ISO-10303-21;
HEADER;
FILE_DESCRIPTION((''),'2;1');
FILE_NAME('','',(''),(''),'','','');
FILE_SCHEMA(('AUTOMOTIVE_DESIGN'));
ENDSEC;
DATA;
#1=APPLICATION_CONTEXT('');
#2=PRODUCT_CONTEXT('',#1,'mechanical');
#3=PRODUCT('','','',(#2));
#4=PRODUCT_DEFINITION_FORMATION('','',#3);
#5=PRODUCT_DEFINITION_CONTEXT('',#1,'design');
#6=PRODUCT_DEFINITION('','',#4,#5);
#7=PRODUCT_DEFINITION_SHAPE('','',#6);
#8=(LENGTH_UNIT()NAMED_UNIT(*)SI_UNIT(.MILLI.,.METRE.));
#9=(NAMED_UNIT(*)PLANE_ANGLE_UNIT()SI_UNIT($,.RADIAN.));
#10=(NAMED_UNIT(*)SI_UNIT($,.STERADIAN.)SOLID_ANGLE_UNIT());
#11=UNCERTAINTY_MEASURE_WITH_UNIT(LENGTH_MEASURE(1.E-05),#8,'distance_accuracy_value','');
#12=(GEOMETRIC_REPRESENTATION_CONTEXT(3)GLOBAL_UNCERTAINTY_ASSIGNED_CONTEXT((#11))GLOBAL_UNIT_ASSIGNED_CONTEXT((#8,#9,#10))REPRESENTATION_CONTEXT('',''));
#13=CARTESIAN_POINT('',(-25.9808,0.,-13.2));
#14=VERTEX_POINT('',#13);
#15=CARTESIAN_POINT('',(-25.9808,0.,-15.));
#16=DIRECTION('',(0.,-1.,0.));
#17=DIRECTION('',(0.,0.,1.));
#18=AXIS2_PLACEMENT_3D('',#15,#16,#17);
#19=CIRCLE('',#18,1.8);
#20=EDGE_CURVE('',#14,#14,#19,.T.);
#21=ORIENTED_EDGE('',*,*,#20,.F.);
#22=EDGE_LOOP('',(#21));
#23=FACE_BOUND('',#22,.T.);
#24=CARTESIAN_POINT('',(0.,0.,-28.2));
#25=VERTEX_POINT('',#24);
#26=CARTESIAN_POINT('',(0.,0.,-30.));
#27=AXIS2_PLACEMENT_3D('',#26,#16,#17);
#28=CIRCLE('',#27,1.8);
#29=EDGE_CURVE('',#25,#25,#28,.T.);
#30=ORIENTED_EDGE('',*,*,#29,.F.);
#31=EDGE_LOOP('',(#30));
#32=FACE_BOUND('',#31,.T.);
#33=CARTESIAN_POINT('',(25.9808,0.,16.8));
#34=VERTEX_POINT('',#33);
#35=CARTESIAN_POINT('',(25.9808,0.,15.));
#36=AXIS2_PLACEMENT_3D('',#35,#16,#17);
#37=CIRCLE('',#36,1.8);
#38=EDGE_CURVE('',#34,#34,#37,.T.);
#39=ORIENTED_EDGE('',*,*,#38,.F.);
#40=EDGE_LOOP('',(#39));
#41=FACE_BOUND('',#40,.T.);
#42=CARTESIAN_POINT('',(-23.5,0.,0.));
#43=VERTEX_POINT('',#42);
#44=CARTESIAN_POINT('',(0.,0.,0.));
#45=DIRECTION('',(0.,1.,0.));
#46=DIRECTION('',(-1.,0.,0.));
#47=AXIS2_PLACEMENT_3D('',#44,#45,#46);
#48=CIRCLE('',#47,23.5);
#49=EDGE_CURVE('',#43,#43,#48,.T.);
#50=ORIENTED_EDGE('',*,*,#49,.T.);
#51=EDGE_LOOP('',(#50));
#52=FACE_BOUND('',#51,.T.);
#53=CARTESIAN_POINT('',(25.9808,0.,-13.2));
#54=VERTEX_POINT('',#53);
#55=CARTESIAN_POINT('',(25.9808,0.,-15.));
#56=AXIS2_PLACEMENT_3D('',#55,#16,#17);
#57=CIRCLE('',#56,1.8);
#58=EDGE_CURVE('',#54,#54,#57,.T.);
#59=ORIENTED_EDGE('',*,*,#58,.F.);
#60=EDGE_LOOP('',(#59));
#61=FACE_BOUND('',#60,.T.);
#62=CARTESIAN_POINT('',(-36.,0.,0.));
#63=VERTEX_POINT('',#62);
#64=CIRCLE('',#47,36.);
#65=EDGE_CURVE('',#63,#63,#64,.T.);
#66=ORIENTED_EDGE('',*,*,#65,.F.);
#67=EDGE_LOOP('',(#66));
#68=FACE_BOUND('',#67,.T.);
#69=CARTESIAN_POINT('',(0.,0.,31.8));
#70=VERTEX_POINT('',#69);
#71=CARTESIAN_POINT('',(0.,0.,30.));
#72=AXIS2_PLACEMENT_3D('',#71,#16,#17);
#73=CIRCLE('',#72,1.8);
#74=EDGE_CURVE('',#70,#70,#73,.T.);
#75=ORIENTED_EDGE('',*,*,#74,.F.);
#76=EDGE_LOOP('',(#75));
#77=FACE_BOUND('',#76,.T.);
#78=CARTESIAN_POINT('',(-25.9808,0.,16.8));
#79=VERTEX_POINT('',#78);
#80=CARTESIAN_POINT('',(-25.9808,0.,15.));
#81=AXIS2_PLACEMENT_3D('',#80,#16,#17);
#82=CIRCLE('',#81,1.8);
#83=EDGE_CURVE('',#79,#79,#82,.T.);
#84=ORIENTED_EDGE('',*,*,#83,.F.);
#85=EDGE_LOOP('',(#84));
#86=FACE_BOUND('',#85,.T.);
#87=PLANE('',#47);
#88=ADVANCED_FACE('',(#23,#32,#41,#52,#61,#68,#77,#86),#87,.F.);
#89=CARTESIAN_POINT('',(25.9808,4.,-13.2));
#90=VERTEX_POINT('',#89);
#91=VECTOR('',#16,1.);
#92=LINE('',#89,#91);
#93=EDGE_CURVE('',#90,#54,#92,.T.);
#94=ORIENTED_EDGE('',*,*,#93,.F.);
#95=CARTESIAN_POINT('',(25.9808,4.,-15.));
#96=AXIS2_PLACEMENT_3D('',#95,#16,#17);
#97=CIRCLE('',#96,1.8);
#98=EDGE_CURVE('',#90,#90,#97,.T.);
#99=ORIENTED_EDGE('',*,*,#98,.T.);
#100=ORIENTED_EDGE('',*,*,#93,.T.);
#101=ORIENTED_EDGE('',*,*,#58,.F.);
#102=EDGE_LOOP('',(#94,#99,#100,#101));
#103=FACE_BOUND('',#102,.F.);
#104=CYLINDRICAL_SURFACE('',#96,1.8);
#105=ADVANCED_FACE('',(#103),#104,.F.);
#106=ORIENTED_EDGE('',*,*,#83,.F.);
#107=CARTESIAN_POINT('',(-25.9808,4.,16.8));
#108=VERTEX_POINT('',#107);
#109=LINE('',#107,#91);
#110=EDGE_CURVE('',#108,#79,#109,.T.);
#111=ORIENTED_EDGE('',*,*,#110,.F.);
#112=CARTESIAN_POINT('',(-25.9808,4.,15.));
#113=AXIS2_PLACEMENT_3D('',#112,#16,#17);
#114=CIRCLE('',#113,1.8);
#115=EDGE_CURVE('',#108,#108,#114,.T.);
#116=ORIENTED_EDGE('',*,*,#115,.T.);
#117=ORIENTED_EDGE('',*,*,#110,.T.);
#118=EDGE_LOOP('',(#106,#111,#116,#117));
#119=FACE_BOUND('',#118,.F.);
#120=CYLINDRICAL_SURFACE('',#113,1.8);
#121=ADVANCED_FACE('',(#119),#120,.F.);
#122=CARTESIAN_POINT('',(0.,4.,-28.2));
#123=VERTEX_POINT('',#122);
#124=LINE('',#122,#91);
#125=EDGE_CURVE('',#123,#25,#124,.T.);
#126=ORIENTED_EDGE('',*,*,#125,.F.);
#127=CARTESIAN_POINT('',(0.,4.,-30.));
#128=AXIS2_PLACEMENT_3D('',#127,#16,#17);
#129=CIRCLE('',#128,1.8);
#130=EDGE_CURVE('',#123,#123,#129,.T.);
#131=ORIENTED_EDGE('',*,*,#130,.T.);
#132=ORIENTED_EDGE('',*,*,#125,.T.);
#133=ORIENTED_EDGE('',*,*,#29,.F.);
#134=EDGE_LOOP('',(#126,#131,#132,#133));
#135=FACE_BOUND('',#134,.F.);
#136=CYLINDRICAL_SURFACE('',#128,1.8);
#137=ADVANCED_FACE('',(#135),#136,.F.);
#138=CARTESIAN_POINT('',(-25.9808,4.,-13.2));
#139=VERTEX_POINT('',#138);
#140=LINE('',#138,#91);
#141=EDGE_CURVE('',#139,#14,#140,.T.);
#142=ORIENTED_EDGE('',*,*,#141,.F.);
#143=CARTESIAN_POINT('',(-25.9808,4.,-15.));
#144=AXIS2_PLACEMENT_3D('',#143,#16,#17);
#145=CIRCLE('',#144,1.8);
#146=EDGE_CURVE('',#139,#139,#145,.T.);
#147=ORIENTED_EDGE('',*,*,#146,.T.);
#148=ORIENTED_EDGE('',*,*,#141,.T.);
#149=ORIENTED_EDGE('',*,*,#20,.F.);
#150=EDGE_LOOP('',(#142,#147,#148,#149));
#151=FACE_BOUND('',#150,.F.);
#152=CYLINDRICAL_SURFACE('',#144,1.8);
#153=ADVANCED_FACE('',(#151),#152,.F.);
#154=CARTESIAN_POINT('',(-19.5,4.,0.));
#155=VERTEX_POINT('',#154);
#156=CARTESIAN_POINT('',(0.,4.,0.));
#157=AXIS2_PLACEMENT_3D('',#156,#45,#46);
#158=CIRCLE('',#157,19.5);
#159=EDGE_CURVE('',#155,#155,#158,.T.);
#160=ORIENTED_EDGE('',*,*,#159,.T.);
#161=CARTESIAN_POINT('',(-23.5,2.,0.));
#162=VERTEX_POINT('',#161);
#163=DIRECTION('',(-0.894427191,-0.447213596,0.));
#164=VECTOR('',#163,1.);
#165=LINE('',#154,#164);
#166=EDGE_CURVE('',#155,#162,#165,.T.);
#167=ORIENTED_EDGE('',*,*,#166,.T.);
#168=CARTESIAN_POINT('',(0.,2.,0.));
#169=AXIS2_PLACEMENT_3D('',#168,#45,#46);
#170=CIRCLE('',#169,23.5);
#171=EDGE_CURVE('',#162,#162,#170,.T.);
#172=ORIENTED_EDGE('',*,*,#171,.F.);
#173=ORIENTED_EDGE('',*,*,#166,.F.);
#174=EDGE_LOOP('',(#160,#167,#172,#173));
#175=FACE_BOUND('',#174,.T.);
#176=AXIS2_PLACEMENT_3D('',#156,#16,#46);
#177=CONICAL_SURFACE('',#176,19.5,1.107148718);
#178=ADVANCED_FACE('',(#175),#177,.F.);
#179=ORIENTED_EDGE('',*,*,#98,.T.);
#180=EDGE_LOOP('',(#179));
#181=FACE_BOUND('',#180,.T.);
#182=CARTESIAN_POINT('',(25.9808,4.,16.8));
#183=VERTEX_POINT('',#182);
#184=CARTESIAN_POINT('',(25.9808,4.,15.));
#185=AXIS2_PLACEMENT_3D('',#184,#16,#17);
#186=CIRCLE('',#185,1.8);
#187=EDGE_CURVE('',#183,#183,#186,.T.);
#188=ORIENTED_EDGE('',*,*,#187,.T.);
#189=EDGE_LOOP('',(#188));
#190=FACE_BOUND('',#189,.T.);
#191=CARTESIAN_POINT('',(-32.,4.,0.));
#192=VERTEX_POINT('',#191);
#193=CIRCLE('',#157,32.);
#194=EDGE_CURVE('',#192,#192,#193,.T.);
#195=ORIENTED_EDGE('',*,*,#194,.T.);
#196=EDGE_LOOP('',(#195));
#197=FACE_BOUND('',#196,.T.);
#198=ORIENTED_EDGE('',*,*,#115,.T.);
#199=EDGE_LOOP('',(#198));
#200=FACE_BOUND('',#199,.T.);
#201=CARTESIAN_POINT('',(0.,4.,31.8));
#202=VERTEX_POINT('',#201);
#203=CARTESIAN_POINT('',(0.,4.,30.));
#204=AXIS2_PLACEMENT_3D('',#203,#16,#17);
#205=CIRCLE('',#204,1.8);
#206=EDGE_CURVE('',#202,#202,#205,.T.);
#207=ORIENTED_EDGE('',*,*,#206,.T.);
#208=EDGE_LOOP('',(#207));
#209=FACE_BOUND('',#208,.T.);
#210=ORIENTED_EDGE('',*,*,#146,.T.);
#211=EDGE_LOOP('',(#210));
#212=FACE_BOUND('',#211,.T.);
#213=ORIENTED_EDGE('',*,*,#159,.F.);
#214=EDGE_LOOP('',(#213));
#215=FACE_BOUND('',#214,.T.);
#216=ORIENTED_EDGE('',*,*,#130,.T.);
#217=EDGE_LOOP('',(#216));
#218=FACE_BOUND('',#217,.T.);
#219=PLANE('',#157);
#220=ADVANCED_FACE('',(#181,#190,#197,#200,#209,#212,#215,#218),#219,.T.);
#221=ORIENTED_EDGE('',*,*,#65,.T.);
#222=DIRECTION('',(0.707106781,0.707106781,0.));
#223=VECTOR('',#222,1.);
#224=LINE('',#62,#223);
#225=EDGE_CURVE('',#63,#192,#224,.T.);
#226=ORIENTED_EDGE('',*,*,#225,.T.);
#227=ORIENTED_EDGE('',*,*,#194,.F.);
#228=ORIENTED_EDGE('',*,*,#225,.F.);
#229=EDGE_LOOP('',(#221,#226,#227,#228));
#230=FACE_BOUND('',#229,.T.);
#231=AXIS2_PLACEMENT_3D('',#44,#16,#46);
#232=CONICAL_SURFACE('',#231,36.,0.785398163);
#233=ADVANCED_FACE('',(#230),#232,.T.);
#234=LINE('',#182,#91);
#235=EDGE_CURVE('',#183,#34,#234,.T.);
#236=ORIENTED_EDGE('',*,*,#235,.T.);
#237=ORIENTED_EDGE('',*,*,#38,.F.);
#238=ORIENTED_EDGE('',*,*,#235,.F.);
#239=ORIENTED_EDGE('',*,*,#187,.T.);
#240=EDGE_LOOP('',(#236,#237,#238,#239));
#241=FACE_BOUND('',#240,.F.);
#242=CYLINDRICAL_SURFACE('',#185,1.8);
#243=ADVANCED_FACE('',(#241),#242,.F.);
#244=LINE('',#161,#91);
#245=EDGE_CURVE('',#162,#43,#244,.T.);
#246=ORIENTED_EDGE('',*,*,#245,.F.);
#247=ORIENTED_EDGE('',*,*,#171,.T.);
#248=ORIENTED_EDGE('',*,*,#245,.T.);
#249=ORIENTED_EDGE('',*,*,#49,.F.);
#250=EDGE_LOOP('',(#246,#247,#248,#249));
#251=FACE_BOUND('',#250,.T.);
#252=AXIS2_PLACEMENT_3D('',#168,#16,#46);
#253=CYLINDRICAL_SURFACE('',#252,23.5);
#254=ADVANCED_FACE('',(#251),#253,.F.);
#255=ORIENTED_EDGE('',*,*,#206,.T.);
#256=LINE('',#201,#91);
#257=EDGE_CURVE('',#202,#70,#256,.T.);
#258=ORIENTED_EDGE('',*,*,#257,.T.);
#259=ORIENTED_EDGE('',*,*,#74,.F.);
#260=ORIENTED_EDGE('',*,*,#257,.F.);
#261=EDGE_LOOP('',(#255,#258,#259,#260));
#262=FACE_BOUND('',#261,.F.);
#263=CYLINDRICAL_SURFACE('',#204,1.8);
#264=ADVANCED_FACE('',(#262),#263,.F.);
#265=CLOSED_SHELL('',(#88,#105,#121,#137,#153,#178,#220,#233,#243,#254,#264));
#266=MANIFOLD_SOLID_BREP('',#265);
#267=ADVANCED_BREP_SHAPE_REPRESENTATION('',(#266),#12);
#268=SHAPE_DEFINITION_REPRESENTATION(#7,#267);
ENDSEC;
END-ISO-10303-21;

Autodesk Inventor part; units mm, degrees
ref_plane "YZ Plane" through (0, 0, 0) normal (1, 0, 0) x (0, 1, 0)
ref_plane "XZ Plane" through (0, 0, 0) normal (0, 1, 0) x (-1, 0, 0)
ref_plane "XY Plane" through (0, 0, 0) normal (0, 0, 1) x (1, 0, 0)
sketch "Sketch1" plane through (0, 0, 0) normal (0, 0, 1) x (1, 0, 0)
  line L0 (0, 0) -> (0, 4)
  line L1 (-23.5, 0) -> (-36, 0)
  line L2 (-36, 0) -> (-32, 4)
  line L3 (-32, 4) -> (-19.5, 4)
  line L4 (-19.5, 4) -> (-23.5, 2)
  line L5 (-23.5, 2) -> (-23.5, 0)
  point P0 (-29.75, 0)
  dimension "d0" = 47
  dimension "d1" = 12.5
  dimension "d2" = 2
  dimension "d3" = 4
  dimension "d4" = 2
  dimension "d5" = 45
revolve "Revolution1" add sketch "Sketch1" angle 360 about axis through (0, 0, 0) along (0, 1, 0)
sketch "Sketch2" plane through (0, 4, 0) normal (0, 1, 0) x (1, 0, 0)
  circle A0 centre (0, 0) radius 23.5 construction
  circle A1 centre (0, 0) radius 36 construction
  point P0 (0, -30)
  point P1 (25.9808, -15)
  point P2 (25.9808, 15)
  point P3 (0, 30)
  point P4 (-25.9808, 15)
  point P5 (-25.9808, -15)
  dimension "d10" = 360
  dimension "d19" = 30
hole "Hole1" at (0, 4, 30) at (25.9808, 4, 15) at (25.9808, 4, -15) at (0, 4, -30) at (-25.9808, 4, -15) at (-25.9808, 4, 15) direction (0, -1, 0) diameter 3.6 end through all clearance for "Slotted Cheese Head Screw ISO 1207" size "M3" standard "ISO"
properties part number "Ring_New"
